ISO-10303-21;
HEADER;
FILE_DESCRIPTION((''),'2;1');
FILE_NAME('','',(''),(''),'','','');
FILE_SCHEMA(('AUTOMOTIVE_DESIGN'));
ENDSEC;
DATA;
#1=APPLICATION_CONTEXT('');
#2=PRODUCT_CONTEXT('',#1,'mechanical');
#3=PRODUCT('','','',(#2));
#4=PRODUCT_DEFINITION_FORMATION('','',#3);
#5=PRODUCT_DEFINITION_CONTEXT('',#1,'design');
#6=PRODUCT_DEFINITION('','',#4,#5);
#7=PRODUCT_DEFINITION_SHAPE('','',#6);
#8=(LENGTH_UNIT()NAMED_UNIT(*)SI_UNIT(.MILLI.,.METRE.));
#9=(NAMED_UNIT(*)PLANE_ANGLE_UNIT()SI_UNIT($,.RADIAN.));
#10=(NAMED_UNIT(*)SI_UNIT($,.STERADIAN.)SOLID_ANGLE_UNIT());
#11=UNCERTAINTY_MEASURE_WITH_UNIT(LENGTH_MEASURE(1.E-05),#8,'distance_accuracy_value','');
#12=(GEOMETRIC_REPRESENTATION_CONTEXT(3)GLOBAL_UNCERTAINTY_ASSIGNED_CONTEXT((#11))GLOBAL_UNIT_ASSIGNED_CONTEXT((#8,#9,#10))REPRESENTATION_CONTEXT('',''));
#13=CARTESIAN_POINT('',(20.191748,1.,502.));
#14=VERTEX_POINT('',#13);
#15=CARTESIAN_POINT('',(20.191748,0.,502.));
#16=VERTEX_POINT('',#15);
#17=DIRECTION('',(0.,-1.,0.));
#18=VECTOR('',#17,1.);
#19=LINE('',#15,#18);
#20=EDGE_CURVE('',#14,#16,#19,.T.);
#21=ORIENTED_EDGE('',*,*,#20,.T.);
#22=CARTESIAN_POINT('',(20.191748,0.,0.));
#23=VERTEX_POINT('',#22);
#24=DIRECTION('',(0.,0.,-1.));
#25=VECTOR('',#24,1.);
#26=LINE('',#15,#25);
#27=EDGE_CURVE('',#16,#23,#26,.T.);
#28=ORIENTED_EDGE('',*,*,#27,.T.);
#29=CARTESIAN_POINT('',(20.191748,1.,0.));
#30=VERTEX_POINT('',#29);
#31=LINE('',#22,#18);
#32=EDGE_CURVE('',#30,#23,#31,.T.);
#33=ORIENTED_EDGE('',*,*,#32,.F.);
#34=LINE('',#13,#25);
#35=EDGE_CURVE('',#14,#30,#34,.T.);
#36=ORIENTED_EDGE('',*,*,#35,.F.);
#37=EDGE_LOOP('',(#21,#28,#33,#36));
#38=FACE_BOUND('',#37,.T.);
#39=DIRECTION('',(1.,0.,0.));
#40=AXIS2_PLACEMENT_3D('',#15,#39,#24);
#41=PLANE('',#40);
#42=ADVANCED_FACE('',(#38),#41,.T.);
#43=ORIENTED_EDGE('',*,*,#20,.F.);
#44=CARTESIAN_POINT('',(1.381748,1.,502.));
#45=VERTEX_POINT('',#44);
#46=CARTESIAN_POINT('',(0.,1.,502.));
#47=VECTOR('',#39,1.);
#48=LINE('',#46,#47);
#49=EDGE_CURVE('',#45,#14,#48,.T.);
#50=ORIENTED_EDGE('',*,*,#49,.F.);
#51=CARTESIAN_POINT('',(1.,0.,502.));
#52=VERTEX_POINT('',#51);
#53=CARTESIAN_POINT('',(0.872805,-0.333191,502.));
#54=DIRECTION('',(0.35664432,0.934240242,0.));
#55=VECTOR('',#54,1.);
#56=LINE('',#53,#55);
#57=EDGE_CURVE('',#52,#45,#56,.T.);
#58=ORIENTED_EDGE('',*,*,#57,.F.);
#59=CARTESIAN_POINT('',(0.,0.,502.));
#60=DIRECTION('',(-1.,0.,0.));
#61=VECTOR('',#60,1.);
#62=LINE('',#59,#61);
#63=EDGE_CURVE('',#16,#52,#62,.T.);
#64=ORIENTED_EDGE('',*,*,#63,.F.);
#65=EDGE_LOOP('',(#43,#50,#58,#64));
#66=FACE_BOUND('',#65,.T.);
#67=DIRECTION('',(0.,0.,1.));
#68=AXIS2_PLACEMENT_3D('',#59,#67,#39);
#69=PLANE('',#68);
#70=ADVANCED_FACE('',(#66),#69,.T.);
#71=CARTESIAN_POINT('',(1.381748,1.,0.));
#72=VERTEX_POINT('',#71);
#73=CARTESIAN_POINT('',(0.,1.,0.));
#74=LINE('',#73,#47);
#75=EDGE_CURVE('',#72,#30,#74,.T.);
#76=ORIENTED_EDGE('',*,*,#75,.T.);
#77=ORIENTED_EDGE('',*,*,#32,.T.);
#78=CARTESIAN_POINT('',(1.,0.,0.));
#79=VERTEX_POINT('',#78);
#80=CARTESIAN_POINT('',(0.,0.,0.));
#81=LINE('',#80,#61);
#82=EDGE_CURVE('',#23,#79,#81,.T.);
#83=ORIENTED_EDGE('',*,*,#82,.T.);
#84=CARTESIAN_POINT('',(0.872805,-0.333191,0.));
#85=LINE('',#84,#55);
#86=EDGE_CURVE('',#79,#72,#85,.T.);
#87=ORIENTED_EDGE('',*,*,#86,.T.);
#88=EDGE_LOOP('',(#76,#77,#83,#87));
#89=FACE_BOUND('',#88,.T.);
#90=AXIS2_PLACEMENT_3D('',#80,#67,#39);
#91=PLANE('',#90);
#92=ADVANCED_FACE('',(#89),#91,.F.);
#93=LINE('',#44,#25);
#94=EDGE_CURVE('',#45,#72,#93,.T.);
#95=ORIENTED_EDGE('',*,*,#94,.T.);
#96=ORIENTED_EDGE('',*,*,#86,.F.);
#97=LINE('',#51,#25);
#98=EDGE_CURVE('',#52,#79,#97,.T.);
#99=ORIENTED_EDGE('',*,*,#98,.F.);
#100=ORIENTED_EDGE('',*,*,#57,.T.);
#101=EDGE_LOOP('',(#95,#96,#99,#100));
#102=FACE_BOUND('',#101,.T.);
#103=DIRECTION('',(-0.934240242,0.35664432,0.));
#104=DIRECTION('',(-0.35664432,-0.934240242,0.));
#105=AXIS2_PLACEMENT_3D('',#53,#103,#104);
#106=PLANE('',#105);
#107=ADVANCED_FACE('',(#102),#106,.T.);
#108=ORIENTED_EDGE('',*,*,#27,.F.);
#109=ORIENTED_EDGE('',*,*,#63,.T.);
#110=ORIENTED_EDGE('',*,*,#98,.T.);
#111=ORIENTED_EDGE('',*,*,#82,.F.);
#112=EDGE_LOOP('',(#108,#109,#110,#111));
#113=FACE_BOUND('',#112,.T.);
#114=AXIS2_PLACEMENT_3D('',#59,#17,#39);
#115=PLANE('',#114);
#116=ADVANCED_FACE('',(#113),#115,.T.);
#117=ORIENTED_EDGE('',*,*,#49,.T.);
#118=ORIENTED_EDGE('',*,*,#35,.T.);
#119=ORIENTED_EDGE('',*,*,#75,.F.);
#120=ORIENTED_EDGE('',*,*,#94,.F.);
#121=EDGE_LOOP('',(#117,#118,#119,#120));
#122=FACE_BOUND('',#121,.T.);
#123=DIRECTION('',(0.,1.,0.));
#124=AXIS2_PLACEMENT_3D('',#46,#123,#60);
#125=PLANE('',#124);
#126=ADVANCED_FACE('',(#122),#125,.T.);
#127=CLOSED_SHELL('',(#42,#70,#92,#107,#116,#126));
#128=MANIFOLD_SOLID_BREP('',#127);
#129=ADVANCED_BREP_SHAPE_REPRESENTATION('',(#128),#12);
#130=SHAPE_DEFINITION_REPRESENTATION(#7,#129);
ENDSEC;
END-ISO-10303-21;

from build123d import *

# Parameters (mm, degrees)
BOSS_EXTRUDE1_DEPTH = 502


with BuildPart() as part:
    # Sketch1 → Boss-Extrude1 (new body)
    with BuildSketch(Plane.XY):
        Polygon((20.191747974, 1), (1.381747974, 1), (1, 0), (20.191747974, 0), align=None)
    extrude(amount=BOSS_EXTRUDE1_DEPTH)


solid = part.part
